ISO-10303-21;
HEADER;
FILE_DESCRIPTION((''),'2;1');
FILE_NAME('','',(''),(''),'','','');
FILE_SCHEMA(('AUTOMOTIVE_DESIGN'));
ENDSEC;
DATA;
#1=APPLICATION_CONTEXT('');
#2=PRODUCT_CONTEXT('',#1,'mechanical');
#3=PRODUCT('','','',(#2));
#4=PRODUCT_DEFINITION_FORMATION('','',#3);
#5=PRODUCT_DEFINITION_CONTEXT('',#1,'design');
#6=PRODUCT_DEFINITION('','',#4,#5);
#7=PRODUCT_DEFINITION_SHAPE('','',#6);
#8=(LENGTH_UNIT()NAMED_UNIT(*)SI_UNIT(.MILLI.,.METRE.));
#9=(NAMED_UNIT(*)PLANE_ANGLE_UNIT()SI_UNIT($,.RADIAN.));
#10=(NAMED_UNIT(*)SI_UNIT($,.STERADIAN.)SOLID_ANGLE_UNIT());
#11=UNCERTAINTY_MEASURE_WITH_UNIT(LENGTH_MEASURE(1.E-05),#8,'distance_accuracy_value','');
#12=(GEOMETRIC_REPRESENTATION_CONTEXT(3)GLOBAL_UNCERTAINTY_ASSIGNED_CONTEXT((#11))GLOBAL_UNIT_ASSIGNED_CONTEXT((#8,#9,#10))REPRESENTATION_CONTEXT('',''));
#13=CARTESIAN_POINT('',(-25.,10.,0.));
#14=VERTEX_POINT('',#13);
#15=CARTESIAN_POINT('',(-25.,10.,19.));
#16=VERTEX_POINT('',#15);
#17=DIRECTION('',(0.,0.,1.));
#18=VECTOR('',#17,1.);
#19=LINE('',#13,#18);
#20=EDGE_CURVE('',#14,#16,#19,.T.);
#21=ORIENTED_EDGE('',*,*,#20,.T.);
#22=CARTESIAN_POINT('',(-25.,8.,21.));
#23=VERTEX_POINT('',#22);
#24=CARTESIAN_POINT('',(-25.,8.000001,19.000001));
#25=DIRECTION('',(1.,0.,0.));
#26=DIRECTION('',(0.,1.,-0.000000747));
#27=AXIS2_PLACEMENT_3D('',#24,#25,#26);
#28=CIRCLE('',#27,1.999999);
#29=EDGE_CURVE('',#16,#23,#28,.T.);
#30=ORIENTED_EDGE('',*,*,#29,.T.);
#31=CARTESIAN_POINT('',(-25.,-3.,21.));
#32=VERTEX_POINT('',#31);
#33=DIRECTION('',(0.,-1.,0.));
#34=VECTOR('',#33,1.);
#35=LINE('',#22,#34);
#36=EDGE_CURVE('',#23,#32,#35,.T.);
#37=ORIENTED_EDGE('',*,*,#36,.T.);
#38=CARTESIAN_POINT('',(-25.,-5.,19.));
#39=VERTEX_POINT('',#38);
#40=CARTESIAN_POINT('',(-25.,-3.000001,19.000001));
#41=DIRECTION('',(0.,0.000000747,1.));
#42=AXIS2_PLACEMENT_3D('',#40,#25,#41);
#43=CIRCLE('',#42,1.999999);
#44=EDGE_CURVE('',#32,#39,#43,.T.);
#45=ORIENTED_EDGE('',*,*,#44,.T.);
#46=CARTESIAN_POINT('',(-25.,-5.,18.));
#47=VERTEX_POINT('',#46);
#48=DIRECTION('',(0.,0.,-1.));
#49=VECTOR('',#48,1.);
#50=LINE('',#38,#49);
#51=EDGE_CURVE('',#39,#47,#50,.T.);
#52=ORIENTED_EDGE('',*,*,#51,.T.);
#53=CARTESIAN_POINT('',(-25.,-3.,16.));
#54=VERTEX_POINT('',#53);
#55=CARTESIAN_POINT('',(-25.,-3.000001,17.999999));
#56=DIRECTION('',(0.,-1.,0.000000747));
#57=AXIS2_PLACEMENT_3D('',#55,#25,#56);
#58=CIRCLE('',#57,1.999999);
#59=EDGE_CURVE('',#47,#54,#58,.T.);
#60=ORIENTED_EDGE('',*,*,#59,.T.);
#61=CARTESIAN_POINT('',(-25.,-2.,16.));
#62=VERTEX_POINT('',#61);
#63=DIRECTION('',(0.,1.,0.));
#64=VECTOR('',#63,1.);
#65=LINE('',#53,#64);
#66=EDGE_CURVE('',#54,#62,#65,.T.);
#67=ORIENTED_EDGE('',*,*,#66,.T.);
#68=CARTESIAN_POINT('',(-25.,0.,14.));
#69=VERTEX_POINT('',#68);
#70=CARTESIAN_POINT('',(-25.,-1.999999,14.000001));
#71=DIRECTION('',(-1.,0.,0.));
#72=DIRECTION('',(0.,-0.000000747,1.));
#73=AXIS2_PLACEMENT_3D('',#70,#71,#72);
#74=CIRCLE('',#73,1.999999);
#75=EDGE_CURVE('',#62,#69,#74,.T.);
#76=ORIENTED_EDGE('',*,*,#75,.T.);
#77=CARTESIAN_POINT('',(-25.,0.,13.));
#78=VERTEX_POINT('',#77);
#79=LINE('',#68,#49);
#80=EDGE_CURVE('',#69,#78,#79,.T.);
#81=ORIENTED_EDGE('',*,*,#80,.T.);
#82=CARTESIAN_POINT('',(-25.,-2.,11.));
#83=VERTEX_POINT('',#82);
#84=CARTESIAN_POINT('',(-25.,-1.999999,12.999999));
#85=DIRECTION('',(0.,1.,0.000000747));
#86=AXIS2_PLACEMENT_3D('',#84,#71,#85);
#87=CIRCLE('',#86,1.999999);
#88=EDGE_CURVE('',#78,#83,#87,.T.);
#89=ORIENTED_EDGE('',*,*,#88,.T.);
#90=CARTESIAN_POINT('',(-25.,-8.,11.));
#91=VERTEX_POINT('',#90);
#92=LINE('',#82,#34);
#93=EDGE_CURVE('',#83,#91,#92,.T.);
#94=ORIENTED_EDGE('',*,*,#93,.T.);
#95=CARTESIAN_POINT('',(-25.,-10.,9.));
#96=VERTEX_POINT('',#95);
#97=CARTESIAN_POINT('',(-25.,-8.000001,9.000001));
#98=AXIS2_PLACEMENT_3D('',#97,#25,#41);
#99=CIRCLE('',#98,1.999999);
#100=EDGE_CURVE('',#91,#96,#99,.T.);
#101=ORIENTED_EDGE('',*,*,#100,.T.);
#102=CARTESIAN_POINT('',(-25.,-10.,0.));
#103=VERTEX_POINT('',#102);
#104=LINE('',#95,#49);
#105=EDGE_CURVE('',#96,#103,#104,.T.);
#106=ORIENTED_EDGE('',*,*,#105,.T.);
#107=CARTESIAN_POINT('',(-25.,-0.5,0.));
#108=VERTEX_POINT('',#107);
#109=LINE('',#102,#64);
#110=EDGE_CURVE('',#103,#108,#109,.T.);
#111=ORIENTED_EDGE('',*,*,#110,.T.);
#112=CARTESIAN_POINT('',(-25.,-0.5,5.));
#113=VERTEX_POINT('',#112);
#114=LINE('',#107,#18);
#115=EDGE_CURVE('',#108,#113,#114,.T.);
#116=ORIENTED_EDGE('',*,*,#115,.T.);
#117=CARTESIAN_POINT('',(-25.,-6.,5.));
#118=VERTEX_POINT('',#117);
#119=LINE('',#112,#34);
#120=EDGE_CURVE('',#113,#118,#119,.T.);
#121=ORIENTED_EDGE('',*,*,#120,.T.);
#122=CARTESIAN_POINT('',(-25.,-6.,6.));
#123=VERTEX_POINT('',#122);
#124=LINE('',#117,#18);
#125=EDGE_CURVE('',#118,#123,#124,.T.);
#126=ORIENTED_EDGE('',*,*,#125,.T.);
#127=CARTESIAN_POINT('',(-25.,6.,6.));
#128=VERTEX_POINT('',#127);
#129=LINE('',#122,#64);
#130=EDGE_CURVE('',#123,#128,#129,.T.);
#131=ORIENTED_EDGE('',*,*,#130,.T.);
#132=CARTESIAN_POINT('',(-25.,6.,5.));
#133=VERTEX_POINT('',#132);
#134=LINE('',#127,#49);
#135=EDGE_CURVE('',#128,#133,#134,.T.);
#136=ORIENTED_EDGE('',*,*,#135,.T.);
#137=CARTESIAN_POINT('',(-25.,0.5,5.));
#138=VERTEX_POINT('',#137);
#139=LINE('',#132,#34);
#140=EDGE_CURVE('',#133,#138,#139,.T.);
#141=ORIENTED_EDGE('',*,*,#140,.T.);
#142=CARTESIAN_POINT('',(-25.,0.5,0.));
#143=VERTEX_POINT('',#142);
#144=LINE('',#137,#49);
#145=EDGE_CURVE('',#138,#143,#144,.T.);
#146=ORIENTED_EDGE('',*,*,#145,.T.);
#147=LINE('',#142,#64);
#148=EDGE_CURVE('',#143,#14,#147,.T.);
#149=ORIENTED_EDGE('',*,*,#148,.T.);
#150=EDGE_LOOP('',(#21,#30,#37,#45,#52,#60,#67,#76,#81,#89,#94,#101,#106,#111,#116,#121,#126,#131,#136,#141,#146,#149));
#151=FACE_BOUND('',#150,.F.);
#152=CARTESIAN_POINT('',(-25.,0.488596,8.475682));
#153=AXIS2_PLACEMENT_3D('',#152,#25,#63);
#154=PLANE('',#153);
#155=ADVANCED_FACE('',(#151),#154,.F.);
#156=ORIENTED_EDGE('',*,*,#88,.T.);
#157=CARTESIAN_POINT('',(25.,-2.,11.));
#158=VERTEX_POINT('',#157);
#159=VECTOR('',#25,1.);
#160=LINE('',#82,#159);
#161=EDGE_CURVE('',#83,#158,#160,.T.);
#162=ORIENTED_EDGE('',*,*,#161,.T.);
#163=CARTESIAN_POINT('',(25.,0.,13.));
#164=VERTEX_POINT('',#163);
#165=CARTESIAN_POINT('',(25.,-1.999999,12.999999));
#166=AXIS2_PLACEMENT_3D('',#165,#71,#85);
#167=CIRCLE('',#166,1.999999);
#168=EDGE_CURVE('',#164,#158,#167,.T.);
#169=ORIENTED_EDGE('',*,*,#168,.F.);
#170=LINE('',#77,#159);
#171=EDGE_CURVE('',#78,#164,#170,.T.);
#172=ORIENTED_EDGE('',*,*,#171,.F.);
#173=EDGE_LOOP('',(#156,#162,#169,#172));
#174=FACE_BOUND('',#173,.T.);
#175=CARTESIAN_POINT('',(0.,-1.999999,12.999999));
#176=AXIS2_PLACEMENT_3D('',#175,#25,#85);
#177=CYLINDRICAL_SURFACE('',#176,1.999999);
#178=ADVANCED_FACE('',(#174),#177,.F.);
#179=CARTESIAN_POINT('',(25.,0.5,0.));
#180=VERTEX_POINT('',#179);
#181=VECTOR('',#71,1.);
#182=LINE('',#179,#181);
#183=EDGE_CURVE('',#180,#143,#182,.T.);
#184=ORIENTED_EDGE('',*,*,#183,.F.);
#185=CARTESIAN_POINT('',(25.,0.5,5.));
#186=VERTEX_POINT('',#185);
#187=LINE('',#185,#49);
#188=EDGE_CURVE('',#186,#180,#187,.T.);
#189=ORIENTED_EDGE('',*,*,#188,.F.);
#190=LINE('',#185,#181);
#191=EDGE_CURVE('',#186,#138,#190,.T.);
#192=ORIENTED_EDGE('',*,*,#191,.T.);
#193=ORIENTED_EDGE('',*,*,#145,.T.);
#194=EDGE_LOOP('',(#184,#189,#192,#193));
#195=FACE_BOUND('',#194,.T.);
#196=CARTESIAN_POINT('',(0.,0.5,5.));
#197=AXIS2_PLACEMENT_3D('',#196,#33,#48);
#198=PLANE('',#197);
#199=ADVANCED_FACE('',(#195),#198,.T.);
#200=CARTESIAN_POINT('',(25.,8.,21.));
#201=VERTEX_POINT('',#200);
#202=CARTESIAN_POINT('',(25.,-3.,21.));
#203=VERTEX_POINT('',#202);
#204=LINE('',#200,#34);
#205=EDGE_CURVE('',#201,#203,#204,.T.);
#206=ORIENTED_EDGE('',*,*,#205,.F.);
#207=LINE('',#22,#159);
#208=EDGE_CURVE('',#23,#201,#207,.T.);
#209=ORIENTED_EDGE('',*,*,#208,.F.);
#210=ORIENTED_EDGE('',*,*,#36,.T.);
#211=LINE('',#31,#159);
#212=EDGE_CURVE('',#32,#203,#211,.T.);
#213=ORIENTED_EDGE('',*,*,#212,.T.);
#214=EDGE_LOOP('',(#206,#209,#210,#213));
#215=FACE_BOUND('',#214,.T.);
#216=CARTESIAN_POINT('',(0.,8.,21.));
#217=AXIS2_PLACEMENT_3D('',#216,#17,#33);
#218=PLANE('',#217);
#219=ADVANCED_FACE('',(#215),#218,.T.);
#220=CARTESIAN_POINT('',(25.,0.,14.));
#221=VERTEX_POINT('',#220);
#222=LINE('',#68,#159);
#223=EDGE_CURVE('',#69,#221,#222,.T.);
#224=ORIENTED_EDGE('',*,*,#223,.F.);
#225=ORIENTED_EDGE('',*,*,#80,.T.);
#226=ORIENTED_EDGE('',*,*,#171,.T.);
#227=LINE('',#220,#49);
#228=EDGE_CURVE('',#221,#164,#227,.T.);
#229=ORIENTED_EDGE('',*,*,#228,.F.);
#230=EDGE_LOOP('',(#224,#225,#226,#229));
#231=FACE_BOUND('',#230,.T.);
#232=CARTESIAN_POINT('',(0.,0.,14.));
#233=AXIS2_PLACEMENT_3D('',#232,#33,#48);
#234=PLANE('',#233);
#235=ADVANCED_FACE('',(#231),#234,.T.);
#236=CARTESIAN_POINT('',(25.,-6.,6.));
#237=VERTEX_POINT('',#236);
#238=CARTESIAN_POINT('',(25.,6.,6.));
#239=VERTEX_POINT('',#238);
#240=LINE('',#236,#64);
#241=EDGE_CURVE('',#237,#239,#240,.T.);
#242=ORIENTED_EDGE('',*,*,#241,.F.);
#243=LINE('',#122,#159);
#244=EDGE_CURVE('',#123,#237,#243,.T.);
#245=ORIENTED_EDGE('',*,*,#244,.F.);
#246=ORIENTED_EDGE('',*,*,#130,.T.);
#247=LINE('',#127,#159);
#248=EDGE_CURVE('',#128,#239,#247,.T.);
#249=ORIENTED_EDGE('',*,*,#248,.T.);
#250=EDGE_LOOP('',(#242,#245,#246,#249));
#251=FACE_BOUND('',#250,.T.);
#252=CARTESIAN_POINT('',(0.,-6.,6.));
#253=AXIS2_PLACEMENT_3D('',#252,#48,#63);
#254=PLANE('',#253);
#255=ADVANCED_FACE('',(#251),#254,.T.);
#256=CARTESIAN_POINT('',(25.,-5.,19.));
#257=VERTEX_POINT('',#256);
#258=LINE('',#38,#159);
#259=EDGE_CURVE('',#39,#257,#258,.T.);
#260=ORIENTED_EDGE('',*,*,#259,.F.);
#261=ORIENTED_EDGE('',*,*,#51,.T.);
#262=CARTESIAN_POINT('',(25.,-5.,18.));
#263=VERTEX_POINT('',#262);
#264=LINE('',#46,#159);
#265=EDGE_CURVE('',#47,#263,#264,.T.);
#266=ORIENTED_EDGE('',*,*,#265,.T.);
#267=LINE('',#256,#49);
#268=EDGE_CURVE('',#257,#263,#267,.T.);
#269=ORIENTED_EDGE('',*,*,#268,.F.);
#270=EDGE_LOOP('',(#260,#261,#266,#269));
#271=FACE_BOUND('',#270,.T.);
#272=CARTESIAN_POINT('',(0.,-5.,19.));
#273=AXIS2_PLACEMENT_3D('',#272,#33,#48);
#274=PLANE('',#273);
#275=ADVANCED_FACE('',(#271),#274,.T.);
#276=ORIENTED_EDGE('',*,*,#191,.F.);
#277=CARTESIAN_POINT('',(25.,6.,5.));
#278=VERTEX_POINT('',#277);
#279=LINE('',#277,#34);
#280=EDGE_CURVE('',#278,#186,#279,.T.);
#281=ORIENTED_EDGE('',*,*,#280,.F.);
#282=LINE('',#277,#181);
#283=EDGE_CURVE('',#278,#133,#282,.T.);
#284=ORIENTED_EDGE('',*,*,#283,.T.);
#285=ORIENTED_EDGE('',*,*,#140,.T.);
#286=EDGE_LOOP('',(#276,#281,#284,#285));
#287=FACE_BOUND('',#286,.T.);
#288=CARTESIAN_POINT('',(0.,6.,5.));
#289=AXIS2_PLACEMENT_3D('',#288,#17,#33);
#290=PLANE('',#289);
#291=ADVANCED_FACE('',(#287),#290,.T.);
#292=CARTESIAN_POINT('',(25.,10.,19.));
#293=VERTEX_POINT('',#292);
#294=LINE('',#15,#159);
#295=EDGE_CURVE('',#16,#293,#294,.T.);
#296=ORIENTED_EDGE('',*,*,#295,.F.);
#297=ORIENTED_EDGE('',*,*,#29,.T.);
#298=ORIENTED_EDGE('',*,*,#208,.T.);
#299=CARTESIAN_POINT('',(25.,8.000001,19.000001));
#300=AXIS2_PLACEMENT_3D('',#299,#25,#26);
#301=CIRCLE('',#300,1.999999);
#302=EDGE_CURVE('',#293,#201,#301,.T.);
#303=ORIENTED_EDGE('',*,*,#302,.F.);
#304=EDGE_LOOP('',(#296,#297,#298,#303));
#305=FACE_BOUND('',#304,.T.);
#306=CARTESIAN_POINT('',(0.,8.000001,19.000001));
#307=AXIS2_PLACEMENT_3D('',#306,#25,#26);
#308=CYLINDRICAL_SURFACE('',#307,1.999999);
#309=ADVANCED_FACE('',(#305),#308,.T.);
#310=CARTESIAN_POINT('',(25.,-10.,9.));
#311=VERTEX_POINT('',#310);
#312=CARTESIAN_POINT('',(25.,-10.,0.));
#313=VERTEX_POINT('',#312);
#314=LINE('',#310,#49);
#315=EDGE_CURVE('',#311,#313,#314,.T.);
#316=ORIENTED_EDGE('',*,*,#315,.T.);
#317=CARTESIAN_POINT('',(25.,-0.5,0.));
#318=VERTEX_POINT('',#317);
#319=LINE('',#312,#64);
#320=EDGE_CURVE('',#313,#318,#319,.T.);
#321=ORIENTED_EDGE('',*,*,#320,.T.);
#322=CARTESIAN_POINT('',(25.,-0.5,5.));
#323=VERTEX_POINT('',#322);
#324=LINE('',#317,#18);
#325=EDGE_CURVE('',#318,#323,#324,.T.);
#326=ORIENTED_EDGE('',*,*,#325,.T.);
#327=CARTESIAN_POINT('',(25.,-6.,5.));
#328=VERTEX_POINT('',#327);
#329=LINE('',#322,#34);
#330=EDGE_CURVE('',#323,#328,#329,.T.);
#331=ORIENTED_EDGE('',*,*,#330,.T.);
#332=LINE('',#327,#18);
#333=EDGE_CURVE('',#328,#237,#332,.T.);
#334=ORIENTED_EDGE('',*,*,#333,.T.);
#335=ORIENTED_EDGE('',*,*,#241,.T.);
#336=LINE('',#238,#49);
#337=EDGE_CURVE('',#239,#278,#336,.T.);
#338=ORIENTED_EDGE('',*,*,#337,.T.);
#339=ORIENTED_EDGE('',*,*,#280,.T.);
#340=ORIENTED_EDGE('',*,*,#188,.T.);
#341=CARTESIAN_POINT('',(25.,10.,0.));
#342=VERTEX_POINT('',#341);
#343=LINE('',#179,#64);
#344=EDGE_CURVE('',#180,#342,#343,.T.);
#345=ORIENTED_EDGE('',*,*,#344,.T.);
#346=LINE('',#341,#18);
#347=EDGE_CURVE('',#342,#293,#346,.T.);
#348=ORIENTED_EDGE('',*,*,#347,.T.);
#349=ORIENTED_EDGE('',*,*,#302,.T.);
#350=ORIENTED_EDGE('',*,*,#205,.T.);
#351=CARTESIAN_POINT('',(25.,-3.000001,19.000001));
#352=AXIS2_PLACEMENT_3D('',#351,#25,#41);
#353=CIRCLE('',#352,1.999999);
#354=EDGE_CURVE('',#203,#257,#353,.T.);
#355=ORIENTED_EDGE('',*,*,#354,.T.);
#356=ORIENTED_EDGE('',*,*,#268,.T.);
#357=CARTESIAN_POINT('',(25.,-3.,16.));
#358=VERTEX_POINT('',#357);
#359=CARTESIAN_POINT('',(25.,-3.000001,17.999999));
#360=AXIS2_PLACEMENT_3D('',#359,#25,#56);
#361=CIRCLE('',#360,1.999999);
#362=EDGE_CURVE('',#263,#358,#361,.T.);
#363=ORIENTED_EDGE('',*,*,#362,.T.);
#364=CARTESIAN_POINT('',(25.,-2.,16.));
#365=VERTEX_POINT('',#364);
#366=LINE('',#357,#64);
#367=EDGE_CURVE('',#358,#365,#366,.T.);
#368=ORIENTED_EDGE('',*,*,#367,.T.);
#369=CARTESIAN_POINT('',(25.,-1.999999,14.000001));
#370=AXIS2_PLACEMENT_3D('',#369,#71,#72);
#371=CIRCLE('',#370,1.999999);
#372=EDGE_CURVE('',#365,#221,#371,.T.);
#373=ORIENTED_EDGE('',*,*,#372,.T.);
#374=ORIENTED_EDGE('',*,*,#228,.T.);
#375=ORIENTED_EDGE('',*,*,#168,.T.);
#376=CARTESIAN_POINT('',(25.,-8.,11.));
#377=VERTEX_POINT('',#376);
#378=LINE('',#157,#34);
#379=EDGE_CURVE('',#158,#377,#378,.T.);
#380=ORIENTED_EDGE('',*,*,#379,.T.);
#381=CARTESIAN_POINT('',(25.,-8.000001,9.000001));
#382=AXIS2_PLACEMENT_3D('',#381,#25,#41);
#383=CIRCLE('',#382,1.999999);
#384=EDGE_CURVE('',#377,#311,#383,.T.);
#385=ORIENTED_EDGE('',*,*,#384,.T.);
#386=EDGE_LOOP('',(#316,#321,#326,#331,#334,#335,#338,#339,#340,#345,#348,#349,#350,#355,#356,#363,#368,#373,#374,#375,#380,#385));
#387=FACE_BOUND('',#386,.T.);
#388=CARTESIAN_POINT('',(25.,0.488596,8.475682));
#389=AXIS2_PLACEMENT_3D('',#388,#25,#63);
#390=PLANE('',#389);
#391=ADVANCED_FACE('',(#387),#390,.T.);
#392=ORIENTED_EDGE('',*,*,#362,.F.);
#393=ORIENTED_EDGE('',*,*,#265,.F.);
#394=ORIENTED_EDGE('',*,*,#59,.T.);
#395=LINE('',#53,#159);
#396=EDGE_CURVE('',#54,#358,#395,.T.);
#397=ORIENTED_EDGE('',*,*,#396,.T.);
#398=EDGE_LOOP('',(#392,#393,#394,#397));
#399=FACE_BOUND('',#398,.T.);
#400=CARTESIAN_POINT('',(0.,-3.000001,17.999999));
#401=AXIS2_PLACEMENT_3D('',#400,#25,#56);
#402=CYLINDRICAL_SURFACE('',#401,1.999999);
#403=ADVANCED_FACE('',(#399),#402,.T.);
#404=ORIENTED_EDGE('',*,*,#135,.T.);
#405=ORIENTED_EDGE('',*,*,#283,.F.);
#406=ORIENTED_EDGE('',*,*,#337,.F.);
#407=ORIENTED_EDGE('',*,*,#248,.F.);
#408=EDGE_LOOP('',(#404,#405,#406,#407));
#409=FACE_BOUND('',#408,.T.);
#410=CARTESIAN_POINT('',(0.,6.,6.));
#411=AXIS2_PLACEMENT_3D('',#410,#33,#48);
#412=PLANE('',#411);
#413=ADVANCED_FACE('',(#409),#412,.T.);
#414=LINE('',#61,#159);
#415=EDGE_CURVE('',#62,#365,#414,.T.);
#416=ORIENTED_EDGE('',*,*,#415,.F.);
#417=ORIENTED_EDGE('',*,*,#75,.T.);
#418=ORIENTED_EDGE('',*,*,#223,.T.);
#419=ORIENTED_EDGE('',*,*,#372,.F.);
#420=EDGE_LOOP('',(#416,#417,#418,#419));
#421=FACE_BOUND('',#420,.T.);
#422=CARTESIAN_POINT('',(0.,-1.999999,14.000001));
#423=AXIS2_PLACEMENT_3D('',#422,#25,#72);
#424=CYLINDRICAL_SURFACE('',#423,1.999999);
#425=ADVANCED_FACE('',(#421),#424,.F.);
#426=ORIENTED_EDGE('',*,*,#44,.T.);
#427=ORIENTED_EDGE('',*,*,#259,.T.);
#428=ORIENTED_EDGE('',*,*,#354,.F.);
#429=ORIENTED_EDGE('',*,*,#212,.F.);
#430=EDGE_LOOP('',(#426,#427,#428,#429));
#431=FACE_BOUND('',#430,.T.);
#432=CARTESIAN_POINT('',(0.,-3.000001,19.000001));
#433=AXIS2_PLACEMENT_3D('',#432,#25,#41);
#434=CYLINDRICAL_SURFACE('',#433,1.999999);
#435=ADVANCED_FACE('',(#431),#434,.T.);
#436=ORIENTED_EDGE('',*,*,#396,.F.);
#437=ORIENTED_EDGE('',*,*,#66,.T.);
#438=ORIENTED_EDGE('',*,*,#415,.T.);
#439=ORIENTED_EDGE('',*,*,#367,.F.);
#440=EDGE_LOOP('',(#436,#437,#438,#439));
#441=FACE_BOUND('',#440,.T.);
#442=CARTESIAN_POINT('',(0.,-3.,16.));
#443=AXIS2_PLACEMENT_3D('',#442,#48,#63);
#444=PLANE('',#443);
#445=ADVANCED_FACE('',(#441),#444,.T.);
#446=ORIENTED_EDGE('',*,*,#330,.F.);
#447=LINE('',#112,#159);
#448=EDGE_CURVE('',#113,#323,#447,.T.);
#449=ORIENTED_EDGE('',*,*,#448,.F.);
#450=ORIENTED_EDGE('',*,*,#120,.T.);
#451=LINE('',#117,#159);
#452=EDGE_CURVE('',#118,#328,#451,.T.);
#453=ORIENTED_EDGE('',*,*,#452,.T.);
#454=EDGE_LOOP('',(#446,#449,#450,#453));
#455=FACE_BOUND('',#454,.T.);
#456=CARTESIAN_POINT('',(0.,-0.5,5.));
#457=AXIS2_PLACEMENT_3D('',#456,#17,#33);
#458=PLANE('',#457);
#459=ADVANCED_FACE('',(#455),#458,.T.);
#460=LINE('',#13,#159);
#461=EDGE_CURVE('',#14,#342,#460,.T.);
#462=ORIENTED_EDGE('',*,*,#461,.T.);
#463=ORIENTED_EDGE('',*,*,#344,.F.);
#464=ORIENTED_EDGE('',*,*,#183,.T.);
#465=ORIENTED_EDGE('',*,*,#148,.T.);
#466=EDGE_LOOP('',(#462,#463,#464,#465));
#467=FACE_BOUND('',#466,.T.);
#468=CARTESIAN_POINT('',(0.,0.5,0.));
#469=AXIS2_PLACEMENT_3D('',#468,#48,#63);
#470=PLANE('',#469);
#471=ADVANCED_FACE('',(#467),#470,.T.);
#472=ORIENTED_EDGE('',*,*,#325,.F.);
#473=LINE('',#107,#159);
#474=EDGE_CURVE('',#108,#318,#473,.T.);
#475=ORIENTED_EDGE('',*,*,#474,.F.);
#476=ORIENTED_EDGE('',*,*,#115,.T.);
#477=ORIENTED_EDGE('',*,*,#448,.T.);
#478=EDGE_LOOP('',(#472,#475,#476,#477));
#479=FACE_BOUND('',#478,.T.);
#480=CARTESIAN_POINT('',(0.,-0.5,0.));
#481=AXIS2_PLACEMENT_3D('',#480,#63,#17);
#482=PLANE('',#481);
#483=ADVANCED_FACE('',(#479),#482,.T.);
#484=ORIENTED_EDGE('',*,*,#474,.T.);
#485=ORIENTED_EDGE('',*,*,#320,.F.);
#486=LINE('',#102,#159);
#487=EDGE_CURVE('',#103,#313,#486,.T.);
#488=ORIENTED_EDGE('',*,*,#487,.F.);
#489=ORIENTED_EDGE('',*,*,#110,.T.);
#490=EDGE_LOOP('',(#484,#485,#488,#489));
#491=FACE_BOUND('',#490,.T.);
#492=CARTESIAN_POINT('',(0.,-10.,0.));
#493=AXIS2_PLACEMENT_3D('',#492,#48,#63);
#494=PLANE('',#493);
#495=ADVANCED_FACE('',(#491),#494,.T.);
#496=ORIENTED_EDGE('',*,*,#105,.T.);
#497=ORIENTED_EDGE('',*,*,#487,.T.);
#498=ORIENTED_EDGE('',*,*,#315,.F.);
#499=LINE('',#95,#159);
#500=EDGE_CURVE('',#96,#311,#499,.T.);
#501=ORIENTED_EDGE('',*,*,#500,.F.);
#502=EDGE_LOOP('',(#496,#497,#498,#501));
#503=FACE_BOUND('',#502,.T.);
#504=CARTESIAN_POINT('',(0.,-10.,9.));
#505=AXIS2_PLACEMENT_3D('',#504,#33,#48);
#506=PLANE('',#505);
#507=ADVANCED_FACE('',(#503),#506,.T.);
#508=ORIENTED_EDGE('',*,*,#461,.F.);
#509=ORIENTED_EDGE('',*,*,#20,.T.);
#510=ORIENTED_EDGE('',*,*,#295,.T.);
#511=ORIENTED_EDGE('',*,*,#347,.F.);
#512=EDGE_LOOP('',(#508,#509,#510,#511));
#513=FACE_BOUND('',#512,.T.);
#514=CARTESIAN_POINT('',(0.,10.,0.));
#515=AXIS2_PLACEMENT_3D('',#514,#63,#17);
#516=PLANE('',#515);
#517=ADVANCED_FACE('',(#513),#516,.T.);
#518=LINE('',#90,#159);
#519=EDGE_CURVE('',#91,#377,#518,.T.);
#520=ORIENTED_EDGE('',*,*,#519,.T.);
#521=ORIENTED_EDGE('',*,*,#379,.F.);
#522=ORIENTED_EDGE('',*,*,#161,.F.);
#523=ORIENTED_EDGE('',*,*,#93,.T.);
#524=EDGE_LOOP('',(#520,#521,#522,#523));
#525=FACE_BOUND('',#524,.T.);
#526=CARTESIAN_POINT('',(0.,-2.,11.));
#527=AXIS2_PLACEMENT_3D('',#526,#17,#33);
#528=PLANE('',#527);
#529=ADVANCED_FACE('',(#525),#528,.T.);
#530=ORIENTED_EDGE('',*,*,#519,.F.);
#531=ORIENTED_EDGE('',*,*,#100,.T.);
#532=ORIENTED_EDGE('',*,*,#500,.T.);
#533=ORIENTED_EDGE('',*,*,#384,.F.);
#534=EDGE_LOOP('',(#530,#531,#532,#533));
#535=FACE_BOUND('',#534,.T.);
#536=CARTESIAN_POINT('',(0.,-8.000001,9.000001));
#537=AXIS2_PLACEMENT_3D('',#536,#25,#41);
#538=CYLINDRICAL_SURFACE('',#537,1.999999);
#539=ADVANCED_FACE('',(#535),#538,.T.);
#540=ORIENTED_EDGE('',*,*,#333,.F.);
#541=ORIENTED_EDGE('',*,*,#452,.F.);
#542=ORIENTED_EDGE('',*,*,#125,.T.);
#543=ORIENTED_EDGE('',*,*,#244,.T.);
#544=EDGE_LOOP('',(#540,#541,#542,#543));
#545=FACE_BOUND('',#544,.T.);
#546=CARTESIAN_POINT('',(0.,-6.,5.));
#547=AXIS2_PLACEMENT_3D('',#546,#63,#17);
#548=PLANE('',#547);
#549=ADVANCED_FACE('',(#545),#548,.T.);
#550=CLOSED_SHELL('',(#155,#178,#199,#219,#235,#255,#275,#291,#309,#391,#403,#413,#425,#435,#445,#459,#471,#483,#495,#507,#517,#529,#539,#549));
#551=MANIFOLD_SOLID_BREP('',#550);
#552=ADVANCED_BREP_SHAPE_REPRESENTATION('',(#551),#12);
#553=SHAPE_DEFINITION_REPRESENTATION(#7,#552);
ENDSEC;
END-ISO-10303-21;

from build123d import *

# Parameters (mm, degrees)
F1_DEPTH = 25


with BuildPart() as f1:
    # F0 (on Right) → F1 (new body, symmetric)
    with BuildSketch(Plane.YZ):
        with BuildLine():
            Line((0.5, 0), (10, 0))
            Line((10, 0), (10, 19))
            ThreePointArc((10, 19), (9.414214, 20.414214), (8, 21))
            Line((8, 21), (-3, 21))
            ThreePointArc((-3, 21), (-4.414214, 20.414214), (-5, 19))
            Line((-5, 19), (-5, 18))
            ThreePointArc((-5, 18), (-4.414214, 16.585786), (-3, 16))
            Line((-3, 16), (-2, 16))
            ThreePointArc((-2, 16), (-0.585786, 15.414214), (0, 14))
            Line((0, 14), (0, 13))
            ThreePointArc((0, 13), (-0.585786, 11.585786), (-2, 11))
            Line((-2, 11), (-8, 11))
            ThreePointArc((-8, 11), (-9.414214, 10.414214), (-10, 9))
            Line((-10, 9), (-10, 0))
            Line((-10, 0), (-0.5, 0))
            Line((-0.5, 0), (-0.5, 5))
            Line((-0.5, 5), (-6, 5))
            Line((-6, 5), (-6, 6))
            Line((-6, 6), (6, 6))
            Line((6, 6), (6, 5))
            Line((6, 5), (0.5, 5))
            Line((0.5, 5), (0.5, 0))
        make_face()
    extrude(amount=F1_DEPTH, both=True)


solid = f1.part
